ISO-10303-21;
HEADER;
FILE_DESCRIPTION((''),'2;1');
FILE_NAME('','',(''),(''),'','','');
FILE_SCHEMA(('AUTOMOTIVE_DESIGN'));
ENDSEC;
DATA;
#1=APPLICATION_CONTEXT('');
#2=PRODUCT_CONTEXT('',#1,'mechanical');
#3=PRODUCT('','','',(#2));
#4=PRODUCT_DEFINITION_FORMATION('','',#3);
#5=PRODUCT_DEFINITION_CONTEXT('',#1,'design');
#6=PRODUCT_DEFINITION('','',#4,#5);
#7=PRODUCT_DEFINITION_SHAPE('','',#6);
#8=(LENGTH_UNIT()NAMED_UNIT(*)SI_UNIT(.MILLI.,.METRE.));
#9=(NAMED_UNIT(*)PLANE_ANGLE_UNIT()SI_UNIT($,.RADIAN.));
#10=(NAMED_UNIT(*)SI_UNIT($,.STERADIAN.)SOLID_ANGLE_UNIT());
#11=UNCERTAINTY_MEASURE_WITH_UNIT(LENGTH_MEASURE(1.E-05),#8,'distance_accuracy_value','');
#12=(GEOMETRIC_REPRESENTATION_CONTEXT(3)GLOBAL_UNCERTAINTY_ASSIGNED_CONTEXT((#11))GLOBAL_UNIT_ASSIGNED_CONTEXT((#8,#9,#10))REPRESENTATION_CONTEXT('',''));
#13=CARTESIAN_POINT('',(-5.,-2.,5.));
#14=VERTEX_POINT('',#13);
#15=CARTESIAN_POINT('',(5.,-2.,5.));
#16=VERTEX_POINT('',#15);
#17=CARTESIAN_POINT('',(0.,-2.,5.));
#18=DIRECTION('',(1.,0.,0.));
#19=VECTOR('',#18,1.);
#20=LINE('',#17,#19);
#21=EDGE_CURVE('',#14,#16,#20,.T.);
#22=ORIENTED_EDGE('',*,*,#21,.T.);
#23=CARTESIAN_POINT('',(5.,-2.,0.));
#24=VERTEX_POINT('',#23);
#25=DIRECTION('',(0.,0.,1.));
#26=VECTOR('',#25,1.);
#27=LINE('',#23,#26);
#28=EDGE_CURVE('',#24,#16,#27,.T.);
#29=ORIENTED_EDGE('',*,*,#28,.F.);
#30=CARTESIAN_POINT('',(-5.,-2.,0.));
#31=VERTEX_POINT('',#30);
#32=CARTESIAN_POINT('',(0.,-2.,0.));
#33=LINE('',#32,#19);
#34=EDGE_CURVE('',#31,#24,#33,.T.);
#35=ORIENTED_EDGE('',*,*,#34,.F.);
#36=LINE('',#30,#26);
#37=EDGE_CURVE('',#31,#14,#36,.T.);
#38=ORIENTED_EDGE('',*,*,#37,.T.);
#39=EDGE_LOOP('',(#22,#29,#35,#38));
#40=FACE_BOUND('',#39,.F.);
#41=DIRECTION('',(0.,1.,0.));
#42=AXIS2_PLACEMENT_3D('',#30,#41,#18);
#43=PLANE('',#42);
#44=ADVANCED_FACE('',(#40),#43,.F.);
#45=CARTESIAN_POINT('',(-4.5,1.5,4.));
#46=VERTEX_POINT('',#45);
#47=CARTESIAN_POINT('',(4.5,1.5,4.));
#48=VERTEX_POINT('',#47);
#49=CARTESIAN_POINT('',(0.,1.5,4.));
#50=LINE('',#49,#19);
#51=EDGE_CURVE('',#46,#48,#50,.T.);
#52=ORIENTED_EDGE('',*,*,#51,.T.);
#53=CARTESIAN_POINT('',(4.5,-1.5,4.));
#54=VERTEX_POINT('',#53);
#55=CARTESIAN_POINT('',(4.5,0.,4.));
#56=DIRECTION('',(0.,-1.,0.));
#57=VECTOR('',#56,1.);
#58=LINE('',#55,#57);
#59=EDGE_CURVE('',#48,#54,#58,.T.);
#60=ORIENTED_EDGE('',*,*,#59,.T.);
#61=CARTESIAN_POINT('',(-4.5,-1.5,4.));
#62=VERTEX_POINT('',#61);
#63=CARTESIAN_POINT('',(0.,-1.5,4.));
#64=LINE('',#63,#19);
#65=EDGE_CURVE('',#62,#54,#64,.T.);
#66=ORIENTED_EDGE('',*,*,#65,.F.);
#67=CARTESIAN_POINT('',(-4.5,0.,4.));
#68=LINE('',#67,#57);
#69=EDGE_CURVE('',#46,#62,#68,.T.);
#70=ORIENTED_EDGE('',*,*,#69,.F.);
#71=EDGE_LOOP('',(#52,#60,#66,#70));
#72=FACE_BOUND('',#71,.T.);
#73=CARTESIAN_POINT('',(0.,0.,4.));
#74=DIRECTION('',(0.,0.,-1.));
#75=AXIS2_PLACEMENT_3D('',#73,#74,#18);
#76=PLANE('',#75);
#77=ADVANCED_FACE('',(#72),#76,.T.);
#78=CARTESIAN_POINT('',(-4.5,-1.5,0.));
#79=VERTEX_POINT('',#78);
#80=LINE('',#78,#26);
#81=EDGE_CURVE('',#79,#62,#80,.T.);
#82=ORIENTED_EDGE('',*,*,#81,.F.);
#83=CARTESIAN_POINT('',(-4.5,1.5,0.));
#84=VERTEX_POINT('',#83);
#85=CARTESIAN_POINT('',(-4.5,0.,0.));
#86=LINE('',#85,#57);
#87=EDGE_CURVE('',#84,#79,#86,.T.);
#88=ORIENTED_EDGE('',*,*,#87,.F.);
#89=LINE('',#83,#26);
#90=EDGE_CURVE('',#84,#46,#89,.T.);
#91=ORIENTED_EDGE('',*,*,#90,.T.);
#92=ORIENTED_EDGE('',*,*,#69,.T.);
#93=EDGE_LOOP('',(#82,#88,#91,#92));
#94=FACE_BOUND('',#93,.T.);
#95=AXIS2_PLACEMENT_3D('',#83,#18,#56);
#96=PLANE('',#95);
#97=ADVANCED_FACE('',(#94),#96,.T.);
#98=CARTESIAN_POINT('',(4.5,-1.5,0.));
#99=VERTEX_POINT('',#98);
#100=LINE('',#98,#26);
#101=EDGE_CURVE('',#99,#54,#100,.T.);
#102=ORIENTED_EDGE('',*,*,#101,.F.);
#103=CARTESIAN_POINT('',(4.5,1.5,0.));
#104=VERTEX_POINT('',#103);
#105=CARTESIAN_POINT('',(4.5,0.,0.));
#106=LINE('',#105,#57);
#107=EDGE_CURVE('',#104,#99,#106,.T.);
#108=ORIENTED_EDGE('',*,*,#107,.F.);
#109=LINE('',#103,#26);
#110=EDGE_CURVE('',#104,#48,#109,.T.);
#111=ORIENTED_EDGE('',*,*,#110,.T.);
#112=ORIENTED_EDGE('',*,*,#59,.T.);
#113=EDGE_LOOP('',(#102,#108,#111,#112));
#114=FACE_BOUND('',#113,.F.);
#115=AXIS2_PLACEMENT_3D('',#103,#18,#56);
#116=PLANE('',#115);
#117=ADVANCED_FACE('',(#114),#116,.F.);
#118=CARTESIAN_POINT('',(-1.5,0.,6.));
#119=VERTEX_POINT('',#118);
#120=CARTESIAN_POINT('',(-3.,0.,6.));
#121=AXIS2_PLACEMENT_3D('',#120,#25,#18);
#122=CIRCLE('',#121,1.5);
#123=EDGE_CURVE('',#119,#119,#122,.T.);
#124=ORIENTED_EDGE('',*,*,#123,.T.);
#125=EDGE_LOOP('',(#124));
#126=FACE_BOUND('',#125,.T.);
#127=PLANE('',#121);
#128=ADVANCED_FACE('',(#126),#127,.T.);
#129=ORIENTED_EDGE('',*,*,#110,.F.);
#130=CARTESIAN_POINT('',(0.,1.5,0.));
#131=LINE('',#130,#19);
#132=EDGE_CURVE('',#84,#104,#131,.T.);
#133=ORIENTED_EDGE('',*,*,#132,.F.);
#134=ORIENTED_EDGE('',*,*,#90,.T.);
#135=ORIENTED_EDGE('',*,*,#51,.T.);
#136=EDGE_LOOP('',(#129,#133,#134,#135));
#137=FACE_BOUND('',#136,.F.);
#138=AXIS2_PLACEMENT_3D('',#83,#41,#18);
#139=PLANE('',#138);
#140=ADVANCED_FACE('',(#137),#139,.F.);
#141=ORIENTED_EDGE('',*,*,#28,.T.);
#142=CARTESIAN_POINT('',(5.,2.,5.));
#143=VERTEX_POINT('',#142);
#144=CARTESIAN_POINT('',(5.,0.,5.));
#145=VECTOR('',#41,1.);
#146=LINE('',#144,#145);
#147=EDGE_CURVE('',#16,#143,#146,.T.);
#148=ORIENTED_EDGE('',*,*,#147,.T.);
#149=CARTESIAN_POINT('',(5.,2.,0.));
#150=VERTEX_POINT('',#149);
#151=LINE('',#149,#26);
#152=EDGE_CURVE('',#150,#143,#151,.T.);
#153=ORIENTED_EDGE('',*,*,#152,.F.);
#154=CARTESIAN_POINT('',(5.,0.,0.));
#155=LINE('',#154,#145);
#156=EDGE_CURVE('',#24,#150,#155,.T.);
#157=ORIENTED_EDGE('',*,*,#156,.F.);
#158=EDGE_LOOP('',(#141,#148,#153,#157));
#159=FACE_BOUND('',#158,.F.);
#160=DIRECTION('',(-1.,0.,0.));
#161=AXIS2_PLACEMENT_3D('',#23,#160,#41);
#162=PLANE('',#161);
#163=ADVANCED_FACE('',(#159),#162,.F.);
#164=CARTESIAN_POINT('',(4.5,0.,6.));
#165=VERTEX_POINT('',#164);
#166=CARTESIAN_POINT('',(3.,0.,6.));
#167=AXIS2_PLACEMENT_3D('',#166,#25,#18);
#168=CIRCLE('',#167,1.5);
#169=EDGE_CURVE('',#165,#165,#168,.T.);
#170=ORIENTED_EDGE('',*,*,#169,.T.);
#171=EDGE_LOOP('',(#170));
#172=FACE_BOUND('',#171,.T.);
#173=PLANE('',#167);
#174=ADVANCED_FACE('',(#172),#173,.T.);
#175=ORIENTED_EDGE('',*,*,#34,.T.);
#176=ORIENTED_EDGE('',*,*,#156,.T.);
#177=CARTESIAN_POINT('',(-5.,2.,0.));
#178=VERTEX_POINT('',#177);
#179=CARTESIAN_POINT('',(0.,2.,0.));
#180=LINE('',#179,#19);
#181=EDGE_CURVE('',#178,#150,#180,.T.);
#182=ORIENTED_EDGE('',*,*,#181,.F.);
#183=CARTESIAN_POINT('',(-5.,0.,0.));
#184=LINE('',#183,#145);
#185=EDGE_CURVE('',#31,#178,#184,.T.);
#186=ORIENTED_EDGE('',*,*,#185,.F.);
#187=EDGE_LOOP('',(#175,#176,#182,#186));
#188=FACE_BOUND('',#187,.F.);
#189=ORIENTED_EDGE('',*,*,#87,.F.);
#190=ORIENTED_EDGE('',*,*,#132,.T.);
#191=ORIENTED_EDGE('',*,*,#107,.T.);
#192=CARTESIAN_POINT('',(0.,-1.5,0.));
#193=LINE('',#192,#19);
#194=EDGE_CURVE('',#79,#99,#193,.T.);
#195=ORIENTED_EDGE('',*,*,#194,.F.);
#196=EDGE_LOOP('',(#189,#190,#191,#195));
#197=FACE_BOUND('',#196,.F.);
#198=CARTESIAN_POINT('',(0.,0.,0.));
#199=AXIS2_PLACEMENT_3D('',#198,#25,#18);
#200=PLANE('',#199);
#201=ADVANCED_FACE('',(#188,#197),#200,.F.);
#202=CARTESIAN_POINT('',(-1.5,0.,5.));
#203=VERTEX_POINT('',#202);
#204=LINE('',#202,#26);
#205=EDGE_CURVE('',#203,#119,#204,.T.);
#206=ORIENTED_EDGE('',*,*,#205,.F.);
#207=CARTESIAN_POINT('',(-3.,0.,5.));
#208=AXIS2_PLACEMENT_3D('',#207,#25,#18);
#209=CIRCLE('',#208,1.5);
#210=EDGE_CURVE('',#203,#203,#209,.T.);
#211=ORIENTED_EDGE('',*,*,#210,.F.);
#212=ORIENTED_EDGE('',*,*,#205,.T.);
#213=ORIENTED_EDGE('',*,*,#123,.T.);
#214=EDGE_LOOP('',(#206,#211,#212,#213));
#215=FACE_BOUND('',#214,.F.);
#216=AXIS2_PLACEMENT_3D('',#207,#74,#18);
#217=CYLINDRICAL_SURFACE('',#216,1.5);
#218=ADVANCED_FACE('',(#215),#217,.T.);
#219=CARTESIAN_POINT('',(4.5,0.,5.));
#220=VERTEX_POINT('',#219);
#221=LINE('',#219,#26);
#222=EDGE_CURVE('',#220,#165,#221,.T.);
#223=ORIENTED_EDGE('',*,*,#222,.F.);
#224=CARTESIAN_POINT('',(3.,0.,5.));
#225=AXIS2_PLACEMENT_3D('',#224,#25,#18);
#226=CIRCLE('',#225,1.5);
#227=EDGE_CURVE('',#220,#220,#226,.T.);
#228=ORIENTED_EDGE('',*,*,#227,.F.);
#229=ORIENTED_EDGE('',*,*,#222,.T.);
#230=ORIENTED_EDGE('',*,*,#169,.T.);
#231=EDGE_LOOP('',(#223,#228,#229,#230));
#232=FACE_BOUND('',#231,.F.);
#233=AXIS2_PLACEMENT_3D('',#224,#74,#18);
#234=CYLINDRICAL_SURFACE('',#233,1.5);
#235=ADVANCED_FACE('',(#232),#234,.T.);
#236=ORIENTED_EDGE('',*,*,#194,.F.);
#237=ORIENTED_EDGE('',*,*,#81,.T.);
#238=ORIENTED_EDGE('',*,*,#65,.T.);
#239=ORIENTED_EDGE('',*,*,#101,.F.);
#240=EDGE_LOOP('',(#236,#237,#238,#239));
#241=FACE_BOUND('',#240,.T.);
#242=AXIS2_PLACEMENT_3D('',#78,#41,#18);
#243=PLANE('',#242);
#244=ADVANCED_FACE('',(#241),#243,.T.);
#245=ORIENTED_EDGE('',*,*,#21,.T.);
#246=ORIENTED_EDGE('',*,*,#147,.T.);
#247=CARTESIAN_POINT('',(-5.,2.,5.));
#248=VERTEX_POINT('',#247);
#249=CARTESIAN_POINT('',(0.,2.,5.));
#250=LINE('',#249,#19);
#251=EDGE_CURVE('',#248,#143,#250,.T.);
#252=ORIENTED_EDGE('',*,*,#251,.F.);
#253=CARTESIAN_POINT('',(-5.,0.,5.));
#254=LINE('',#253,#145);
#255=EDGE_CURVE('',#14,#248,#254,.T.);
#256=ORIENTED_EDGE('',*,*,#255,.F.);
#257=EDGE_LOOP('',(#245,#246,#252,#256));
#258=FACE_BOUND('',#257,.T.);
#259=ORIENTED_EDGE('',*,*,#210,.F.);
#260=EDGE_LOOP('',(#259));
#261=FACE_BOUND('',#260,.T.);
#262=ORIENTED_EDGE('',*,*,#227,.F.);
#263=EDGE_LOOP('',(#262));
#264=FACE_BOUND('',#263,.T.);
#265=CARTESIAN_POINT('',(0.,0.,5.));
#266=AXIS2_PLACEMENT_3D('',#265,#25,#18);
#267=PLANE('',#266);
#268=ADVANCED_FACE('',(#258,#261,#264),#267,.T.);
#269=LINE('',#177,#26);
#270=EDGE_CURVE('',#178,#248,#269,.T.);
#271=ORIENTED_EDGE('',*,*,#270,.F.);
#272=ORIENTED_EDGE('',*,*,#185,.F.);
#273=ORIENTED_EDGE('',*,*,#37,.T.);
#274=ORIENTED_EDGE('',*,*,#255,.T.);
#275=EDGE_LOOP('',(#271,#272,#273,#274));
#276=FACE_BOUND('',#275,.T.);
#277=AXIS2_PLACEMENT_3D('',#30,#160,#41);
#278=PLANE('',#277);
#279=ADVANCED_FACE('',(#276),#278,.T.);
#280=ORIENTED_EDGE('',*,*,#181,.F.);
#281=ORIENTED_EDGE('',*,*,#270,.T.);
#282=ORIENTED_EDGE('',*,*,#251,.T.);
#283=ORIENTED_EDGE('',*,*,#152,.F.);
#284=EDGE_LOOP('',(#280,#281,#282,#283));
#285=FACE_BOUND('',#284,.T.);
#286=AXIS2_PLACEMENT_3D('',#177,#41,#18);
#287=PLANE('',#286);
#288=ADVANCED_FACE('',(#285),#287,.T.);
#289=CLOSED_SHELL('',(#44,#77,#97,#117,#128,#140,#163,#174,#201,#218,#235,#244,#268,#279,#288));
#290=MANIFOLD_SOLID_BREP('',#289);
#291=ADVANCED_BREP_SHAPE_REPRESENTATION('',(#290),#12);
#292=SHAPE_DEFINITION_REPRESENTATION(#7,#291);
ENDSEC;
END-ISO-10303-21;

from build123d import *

# Parameters (mm, degrees)
F0_W     = 10
F0_H     = 4
F1_DEPTH = 5
F2_W     = 9
F2_H     = 3
F3_DEPTH = 4
F4_R     = 1.5
F5_DEPTH = 1


with BuildPart() as f1:
    # F0 (on Top) → F1 (new body)
    with BuildSketch(Plane.XY):
        Rectangle(F0_W, F0_H)
    extrude(amount=F1_DEPTH)

    # F2 (on face) → F3 (cut)
    with BuildSketch(Plane(origin=(0, 0, 0), x_dir=(1, 0, 0), z_dir=(0, 0, -1))):
        Rectangle(F2_W, F2_H)
    extrude(amount=-F3_DEPTH, mode=Mode.SUBTRACT)

    # F4 (on face) → F5 (join)
    with BuildSketch(Plane.XY.offset(5)):
        with Locations((-3, 0)):
            Circle(F4_R)
        with Locations((3, 0)):
            Circle(F4_R)
    extrude(amount=F5_DEPTH)


solid = f1.part
